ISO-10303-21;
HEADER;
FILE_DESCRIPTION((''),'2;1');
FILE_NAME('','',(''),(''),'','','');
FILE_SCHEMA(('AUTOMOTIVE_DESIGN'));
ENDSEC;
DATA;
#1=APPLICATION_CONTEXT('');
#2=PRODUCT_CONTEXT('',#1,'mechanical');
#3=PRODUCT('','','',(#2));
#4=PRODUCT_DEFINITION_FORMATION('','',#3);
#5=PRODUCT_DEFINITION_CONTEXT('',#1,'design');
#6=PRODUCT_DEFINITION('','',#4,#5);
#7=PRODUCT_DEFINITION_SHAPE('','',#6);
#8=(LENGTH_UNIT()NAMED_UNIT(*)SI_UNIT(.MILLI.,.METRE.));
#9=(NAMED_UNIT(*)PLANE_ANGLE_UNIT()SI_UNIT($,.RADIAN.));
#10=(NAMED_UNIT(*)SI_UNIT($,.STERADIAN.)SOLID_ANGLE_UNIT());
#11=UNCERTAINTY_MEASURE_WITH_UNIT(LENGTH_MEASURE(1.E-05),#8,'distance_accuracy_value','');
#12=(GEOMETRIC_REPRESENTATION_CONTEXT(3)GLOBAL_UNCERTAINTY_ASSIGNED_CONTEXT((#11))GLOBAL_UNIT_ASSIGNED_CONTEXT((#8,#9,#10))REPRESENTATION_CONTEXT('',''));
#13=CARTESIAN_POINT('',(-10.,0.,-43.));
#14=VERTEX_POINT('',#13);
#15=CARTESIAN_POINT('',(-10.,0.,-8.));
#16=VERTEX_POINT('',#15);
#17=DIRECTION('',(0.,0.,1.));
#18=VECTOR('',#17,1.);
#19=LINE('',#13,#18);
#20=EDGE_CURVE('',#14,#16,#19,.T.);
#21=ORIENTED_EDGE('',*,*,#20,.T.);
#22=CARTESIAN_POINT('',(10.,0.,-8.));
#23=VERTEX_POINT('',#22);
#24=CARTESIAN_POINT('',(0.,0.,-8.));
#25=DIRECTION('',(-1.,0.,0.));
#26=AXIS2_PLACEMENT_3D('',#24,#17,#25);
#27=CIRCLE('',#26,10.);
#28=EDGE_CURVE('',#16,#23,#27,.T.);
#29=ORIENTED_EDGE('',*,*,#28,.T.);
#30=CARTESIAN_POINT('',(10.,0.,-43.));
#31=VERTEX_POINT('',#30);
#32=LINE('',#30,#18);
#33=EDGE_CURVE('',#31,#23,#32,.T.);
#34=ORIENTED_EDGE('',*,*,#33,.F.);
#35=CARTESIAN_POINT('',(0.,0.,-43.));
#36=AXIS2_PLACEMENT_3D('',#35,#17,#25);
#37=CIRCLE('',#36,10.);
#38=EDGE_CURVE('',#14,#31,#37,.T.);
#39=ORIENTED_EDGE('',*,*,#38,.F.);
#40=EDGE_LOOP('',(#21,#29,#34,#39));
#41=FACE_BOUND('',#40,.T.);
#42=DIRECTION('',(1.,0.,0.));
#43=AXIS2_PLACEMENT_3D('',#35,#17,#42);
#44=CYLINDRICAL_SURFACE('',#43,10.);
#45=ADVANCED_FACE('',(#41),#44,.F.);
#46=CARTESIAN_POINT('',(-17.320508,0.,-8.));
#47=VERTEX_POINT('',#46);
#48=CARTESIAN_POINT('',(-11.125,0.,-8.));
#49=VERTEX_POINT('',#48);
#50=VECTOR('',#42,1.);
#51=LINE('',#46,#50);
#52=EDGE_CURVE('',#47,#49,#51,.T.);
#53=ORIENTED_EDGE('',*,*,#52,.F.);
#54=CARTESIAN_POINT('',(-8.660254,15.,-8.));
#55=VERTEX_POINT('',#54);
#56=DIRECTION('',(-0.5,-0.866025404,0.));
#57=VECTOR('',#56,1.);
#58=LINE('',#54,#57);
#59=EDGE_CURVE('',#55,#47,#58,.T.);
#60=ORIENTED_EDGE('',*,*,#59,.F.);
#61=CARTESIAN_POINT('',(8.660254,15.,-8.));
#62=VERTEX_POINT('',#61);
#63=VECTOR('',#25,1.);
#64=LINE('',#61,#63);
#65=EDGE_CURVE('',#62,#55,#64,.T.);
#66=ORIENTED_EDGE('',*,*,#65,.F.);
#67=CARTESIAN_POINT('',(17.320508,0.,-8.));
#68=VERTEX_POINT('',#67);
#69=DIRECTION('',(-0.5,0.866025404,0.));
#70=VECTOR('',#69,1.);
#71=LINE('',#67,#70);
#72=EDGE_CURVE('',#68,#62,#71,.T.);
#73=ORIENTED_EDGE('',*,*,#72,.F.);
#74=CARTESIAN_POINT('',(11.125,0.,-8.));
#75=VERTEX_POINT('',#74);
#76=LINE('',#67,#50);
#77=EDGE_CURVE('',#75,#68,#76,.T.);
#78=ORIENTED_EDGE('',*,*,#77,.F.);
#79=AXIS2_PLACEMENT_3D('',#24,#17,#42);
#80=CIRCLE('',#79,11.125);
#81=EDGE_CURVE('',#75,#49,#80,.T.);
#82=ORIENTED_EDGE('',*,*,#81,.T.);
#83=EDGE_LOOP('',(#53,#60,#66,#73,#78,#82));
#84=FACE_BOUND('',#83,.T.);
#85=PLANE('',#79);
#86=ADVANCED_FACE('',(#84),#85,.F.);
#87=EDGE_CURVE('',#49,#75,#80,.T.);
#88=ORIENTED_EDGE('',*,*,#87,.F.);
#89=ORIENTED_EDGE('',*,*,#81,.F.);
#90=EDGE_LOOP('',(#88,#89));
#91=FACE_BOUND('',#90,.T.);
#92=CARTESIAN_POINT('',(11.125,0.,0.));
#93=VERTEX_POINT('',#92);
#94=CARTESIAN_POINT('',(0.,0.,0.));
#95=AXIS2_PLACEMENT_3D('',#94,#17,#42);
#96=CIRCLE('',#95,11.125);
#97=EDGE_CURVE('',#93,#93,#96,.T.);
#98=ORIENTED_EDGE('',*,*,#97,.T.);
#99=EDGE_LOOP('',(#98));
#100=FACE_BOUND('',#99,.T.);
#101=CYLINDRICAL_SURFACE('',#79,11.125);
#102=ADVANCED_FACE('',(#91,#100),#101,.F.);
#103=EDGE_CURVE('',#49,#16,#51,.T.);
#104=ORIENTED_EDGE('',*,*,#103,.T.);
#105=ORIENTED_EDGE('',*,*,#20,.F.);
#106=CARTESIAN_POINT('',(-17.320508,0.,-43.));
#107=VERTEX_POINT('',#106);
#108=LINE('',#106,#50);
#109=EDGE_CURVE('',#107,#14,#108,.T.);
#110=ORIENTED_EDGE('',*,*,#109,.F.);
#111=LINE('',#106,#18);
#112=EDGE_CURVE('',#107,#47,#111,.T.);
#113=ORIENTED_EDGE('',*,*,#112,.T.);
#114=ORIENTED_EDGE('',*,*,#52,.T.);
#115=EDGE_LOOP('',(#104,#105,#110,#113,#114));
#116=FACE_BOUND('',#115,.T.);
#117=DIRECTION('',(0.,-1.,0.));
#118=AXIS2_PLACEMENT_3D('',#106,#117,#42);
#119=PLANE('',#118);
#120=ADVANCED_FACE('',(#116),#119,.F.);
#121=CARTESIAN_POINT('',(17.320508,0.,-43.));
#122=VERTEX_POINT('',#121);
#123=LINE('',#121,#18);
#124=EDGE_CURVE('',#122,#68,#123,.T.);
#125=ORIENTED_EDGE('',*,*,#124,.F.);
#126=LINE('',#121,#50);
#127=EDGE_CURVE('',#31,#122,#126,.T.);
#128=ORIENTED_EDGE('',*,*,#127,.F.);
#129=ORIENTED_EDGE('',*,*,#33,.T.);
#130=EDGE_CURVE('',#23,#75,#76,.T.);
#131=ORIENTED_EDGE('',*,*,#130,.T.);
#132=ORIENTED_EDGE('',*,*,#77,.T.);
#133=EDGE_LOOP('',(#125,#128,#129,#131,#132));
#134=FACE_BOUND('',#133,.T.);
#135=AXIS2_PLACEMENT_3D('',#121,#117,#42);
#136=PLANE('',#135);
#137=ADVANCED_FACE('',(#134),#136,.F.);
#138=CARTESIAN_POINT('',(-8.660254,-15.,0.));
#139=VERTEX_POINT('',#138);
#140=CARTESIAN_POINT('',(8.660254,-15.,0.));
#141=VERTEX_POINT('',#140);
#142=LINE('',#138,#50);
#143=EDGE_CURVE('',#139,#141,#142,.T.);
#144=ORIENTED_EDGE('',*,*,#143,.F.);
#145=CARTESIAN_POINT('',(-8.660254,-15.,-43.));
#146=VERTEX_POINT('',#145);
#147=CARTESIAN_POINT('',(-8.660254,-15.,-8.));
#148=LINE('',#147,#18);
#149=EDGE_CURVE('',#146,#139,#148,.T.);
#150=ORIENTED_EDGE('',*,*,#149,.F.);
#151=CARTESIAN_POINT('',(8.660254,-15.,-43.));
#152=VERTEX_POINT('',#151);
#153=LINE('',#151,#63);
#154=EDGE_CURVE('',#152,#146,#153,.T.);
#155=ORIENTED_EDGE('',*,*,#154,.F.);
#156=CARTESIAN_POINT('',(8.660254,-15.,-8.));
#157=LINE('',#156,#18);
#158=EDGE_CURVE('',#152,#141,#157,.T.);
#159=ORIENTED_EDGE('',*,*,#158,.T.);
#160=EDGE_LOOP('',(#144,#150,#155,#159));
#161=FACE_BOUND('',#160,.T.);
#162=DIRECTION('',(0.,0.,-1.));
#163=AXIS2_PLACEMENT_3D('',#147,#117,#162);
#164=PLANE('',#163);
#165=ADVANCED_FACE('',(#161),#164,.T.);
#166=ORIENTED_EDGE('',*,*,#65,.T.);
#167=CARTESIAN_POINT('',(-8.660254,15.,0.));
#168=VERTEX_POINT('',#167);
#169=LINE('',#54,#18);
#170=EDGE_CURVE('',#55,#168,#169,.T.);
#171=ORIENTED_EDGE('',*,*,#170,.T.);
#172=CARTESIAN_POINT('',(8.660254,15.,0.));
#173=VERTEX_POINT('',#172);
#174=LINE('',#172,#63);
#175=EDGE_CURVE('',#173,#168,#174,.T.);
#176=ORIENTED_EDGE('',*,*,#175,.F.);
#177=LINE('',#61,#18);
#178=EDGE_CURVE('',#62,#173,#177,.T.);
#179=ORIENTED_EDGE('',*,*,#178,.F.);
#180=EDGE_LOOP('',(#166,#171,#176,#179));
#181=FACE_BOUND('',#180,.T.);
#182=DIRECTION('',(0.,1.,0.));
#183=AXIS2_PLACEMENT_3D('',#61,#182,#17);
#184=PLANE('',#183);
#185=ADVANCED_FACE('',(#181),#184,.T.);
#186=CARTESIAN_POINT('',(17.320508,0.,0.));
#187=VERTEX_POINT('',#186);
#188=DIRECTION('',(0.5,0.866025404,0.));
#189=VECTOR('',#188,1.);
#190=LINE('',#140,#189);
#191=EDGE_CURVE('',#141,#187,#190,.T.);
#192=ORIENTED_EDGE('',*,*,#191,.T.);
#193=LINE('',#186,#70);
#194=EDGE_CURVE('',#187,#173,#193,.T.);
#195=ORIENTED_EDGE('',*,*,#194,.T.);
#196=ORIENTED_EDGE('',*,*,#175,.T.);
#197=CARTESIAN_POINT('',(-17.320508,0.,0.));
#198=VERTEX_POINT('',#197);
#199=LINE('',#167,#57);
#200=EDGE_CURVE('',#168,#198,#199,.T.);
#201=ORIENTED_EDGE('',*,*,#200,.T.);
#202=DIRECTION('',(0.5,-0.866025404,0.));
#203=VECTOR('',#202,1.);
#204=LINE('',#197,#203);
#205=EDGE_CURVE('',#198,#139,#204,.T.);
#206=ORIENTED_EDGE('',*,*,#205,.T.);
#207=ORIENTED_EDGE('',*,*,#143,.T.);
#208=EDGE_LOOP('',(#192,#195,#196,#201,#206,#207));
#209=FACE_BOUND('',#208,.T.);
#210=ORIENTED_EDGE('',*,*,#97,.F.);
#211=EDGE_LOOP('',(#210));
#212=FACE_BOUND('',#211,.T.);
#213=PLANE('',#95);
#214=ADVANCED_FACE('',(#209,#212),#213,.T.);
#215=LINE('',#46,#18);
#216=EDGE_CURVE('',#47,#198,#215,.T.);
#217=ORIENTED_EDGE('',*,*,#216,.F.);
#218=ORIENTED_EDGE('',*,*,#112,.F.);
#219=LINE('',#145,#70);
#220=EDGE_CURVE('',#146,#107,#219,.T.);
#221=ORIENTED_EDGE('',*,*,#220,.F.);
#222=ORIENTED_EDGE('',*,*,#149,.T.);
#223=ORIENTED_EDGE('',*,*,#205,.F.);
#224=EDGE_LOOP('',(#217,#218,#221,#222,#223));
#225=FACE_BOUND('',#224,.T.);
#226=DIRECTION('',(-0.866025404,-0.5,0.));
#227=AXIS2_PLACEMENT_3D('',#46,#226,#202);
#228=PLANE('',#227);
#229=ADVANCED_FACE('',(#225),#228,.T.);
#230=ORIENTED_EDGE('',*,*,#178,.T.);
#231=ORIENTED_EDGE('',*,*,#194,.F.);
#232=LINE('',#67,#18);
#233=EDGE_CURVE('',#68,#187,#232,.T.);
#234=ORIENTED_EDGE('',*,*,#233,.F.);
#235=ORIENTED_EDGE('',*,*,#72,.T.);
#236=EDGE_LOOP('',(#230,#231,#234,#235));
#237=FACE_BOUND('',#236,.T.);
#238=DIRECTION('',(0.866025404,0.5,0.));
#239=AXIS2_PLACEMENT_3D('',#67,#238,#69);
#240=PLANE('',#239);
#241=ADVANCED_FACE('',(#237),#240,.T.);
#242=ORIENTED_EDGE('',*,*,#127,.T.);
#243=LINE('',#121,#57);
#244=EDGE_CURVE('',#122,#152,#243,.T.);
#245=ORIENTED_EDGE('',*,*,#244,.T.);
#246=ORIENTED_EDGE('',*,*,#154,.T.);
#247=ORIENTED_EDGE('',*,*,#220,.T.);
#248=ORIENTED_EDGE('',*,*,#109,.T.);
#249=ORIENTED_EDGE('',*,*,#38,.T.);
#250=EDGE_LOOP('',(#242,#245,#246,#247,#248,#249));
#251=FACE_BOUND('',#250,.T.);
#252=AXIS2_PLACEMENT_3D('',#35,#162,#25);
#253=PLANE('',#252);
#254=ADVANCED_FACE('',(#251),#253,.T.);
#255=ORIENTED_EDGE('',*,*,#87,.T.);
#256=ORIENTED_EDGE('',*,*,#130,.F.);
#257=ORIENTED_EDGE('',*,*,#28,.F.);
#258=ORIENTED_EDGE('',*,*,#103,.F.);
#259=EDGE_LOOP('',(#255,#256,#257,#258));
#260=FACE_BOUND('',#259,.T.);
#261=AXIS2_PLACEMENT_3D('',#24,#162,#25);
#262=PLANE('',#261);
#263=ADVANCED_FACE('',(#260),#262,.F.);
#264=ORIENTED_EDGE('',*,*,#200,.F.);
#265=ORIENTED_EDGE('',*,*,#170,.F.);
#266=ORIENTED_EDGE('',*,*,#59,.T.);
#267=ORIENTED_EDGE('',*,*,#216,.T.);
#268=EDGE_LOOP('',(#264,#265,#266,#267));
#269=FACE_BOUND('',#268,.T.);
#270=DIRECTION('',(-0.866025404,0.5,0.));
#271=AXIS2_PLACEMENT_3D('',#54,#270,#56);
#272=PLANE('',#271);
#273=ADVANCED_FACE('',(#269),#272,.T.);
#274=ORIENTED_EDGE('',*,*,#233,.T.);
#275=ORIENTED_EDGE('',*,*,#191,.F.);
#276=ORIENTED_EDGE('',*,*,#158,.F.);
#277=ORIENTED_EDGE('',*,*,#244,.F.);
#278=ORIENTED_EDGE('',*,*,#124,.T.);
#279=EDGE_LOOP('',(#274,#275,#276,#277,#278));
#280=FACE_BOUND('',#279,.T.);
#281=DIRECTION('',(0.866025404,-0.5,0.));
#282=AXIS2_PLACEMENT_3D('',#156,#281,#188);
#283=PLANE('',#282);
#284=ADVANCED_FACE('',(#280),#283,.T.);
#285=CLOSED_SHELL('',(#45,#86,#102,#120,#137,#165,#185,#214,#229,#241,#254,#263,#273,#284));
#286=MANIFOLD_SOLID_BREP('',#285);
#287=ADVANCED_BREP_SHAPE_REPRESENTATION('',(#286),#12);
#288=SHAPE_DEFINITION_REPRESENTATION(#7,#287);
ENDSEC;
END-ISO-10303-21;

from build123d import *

# Parameters (mm, degrees)
SKETCH1_R           = 11.125
BOSS_EXTRUDE1_DEPTH = 8
BOSS_EXTRUDE2_DEPTH = 35


with BuildPart() as part:
    # Sketch1 → Boss-Extrude1 (new body)
    with BuildSketch(Plane.XY):
        Polygon((17.320508076, 0), (8.660254038, 15), (-8.660254038, 15), (-17.320508076, 0), (-8.660254038, -15), (8.660254038, -15), align=None)
        Circle(SKETCH1_R, mode=Mode.SUBTRACT)
    extrude(amount=-BOSS_EXTRUDE1_DEPTH)

    # Sketch2 → Boss-Extrude2 (add)
    with BuildSketch(Plane(origin=(0, 0, -8), x_dir=(-1, 0, 0), z_dir=(0, 0, -1))):
        with BuildLine():
            Line((-17.320508076, 0), (-10, 0))
            ThreePointArc((-10, 0), (0, -10), (10, 0))
            Line((10, 0), (17.320508076, 0))
            Line((17.320508076, 0), (8.660254038, -15))
            Line((8.660254038, -15), (-8.660254038, -15))
            Line((-8.660254038, -15), (-17.320508076, 0))
        make_face()
    extrude(amount=BOSS_EXTRUDE2_DEPTH)


solid = part.part
